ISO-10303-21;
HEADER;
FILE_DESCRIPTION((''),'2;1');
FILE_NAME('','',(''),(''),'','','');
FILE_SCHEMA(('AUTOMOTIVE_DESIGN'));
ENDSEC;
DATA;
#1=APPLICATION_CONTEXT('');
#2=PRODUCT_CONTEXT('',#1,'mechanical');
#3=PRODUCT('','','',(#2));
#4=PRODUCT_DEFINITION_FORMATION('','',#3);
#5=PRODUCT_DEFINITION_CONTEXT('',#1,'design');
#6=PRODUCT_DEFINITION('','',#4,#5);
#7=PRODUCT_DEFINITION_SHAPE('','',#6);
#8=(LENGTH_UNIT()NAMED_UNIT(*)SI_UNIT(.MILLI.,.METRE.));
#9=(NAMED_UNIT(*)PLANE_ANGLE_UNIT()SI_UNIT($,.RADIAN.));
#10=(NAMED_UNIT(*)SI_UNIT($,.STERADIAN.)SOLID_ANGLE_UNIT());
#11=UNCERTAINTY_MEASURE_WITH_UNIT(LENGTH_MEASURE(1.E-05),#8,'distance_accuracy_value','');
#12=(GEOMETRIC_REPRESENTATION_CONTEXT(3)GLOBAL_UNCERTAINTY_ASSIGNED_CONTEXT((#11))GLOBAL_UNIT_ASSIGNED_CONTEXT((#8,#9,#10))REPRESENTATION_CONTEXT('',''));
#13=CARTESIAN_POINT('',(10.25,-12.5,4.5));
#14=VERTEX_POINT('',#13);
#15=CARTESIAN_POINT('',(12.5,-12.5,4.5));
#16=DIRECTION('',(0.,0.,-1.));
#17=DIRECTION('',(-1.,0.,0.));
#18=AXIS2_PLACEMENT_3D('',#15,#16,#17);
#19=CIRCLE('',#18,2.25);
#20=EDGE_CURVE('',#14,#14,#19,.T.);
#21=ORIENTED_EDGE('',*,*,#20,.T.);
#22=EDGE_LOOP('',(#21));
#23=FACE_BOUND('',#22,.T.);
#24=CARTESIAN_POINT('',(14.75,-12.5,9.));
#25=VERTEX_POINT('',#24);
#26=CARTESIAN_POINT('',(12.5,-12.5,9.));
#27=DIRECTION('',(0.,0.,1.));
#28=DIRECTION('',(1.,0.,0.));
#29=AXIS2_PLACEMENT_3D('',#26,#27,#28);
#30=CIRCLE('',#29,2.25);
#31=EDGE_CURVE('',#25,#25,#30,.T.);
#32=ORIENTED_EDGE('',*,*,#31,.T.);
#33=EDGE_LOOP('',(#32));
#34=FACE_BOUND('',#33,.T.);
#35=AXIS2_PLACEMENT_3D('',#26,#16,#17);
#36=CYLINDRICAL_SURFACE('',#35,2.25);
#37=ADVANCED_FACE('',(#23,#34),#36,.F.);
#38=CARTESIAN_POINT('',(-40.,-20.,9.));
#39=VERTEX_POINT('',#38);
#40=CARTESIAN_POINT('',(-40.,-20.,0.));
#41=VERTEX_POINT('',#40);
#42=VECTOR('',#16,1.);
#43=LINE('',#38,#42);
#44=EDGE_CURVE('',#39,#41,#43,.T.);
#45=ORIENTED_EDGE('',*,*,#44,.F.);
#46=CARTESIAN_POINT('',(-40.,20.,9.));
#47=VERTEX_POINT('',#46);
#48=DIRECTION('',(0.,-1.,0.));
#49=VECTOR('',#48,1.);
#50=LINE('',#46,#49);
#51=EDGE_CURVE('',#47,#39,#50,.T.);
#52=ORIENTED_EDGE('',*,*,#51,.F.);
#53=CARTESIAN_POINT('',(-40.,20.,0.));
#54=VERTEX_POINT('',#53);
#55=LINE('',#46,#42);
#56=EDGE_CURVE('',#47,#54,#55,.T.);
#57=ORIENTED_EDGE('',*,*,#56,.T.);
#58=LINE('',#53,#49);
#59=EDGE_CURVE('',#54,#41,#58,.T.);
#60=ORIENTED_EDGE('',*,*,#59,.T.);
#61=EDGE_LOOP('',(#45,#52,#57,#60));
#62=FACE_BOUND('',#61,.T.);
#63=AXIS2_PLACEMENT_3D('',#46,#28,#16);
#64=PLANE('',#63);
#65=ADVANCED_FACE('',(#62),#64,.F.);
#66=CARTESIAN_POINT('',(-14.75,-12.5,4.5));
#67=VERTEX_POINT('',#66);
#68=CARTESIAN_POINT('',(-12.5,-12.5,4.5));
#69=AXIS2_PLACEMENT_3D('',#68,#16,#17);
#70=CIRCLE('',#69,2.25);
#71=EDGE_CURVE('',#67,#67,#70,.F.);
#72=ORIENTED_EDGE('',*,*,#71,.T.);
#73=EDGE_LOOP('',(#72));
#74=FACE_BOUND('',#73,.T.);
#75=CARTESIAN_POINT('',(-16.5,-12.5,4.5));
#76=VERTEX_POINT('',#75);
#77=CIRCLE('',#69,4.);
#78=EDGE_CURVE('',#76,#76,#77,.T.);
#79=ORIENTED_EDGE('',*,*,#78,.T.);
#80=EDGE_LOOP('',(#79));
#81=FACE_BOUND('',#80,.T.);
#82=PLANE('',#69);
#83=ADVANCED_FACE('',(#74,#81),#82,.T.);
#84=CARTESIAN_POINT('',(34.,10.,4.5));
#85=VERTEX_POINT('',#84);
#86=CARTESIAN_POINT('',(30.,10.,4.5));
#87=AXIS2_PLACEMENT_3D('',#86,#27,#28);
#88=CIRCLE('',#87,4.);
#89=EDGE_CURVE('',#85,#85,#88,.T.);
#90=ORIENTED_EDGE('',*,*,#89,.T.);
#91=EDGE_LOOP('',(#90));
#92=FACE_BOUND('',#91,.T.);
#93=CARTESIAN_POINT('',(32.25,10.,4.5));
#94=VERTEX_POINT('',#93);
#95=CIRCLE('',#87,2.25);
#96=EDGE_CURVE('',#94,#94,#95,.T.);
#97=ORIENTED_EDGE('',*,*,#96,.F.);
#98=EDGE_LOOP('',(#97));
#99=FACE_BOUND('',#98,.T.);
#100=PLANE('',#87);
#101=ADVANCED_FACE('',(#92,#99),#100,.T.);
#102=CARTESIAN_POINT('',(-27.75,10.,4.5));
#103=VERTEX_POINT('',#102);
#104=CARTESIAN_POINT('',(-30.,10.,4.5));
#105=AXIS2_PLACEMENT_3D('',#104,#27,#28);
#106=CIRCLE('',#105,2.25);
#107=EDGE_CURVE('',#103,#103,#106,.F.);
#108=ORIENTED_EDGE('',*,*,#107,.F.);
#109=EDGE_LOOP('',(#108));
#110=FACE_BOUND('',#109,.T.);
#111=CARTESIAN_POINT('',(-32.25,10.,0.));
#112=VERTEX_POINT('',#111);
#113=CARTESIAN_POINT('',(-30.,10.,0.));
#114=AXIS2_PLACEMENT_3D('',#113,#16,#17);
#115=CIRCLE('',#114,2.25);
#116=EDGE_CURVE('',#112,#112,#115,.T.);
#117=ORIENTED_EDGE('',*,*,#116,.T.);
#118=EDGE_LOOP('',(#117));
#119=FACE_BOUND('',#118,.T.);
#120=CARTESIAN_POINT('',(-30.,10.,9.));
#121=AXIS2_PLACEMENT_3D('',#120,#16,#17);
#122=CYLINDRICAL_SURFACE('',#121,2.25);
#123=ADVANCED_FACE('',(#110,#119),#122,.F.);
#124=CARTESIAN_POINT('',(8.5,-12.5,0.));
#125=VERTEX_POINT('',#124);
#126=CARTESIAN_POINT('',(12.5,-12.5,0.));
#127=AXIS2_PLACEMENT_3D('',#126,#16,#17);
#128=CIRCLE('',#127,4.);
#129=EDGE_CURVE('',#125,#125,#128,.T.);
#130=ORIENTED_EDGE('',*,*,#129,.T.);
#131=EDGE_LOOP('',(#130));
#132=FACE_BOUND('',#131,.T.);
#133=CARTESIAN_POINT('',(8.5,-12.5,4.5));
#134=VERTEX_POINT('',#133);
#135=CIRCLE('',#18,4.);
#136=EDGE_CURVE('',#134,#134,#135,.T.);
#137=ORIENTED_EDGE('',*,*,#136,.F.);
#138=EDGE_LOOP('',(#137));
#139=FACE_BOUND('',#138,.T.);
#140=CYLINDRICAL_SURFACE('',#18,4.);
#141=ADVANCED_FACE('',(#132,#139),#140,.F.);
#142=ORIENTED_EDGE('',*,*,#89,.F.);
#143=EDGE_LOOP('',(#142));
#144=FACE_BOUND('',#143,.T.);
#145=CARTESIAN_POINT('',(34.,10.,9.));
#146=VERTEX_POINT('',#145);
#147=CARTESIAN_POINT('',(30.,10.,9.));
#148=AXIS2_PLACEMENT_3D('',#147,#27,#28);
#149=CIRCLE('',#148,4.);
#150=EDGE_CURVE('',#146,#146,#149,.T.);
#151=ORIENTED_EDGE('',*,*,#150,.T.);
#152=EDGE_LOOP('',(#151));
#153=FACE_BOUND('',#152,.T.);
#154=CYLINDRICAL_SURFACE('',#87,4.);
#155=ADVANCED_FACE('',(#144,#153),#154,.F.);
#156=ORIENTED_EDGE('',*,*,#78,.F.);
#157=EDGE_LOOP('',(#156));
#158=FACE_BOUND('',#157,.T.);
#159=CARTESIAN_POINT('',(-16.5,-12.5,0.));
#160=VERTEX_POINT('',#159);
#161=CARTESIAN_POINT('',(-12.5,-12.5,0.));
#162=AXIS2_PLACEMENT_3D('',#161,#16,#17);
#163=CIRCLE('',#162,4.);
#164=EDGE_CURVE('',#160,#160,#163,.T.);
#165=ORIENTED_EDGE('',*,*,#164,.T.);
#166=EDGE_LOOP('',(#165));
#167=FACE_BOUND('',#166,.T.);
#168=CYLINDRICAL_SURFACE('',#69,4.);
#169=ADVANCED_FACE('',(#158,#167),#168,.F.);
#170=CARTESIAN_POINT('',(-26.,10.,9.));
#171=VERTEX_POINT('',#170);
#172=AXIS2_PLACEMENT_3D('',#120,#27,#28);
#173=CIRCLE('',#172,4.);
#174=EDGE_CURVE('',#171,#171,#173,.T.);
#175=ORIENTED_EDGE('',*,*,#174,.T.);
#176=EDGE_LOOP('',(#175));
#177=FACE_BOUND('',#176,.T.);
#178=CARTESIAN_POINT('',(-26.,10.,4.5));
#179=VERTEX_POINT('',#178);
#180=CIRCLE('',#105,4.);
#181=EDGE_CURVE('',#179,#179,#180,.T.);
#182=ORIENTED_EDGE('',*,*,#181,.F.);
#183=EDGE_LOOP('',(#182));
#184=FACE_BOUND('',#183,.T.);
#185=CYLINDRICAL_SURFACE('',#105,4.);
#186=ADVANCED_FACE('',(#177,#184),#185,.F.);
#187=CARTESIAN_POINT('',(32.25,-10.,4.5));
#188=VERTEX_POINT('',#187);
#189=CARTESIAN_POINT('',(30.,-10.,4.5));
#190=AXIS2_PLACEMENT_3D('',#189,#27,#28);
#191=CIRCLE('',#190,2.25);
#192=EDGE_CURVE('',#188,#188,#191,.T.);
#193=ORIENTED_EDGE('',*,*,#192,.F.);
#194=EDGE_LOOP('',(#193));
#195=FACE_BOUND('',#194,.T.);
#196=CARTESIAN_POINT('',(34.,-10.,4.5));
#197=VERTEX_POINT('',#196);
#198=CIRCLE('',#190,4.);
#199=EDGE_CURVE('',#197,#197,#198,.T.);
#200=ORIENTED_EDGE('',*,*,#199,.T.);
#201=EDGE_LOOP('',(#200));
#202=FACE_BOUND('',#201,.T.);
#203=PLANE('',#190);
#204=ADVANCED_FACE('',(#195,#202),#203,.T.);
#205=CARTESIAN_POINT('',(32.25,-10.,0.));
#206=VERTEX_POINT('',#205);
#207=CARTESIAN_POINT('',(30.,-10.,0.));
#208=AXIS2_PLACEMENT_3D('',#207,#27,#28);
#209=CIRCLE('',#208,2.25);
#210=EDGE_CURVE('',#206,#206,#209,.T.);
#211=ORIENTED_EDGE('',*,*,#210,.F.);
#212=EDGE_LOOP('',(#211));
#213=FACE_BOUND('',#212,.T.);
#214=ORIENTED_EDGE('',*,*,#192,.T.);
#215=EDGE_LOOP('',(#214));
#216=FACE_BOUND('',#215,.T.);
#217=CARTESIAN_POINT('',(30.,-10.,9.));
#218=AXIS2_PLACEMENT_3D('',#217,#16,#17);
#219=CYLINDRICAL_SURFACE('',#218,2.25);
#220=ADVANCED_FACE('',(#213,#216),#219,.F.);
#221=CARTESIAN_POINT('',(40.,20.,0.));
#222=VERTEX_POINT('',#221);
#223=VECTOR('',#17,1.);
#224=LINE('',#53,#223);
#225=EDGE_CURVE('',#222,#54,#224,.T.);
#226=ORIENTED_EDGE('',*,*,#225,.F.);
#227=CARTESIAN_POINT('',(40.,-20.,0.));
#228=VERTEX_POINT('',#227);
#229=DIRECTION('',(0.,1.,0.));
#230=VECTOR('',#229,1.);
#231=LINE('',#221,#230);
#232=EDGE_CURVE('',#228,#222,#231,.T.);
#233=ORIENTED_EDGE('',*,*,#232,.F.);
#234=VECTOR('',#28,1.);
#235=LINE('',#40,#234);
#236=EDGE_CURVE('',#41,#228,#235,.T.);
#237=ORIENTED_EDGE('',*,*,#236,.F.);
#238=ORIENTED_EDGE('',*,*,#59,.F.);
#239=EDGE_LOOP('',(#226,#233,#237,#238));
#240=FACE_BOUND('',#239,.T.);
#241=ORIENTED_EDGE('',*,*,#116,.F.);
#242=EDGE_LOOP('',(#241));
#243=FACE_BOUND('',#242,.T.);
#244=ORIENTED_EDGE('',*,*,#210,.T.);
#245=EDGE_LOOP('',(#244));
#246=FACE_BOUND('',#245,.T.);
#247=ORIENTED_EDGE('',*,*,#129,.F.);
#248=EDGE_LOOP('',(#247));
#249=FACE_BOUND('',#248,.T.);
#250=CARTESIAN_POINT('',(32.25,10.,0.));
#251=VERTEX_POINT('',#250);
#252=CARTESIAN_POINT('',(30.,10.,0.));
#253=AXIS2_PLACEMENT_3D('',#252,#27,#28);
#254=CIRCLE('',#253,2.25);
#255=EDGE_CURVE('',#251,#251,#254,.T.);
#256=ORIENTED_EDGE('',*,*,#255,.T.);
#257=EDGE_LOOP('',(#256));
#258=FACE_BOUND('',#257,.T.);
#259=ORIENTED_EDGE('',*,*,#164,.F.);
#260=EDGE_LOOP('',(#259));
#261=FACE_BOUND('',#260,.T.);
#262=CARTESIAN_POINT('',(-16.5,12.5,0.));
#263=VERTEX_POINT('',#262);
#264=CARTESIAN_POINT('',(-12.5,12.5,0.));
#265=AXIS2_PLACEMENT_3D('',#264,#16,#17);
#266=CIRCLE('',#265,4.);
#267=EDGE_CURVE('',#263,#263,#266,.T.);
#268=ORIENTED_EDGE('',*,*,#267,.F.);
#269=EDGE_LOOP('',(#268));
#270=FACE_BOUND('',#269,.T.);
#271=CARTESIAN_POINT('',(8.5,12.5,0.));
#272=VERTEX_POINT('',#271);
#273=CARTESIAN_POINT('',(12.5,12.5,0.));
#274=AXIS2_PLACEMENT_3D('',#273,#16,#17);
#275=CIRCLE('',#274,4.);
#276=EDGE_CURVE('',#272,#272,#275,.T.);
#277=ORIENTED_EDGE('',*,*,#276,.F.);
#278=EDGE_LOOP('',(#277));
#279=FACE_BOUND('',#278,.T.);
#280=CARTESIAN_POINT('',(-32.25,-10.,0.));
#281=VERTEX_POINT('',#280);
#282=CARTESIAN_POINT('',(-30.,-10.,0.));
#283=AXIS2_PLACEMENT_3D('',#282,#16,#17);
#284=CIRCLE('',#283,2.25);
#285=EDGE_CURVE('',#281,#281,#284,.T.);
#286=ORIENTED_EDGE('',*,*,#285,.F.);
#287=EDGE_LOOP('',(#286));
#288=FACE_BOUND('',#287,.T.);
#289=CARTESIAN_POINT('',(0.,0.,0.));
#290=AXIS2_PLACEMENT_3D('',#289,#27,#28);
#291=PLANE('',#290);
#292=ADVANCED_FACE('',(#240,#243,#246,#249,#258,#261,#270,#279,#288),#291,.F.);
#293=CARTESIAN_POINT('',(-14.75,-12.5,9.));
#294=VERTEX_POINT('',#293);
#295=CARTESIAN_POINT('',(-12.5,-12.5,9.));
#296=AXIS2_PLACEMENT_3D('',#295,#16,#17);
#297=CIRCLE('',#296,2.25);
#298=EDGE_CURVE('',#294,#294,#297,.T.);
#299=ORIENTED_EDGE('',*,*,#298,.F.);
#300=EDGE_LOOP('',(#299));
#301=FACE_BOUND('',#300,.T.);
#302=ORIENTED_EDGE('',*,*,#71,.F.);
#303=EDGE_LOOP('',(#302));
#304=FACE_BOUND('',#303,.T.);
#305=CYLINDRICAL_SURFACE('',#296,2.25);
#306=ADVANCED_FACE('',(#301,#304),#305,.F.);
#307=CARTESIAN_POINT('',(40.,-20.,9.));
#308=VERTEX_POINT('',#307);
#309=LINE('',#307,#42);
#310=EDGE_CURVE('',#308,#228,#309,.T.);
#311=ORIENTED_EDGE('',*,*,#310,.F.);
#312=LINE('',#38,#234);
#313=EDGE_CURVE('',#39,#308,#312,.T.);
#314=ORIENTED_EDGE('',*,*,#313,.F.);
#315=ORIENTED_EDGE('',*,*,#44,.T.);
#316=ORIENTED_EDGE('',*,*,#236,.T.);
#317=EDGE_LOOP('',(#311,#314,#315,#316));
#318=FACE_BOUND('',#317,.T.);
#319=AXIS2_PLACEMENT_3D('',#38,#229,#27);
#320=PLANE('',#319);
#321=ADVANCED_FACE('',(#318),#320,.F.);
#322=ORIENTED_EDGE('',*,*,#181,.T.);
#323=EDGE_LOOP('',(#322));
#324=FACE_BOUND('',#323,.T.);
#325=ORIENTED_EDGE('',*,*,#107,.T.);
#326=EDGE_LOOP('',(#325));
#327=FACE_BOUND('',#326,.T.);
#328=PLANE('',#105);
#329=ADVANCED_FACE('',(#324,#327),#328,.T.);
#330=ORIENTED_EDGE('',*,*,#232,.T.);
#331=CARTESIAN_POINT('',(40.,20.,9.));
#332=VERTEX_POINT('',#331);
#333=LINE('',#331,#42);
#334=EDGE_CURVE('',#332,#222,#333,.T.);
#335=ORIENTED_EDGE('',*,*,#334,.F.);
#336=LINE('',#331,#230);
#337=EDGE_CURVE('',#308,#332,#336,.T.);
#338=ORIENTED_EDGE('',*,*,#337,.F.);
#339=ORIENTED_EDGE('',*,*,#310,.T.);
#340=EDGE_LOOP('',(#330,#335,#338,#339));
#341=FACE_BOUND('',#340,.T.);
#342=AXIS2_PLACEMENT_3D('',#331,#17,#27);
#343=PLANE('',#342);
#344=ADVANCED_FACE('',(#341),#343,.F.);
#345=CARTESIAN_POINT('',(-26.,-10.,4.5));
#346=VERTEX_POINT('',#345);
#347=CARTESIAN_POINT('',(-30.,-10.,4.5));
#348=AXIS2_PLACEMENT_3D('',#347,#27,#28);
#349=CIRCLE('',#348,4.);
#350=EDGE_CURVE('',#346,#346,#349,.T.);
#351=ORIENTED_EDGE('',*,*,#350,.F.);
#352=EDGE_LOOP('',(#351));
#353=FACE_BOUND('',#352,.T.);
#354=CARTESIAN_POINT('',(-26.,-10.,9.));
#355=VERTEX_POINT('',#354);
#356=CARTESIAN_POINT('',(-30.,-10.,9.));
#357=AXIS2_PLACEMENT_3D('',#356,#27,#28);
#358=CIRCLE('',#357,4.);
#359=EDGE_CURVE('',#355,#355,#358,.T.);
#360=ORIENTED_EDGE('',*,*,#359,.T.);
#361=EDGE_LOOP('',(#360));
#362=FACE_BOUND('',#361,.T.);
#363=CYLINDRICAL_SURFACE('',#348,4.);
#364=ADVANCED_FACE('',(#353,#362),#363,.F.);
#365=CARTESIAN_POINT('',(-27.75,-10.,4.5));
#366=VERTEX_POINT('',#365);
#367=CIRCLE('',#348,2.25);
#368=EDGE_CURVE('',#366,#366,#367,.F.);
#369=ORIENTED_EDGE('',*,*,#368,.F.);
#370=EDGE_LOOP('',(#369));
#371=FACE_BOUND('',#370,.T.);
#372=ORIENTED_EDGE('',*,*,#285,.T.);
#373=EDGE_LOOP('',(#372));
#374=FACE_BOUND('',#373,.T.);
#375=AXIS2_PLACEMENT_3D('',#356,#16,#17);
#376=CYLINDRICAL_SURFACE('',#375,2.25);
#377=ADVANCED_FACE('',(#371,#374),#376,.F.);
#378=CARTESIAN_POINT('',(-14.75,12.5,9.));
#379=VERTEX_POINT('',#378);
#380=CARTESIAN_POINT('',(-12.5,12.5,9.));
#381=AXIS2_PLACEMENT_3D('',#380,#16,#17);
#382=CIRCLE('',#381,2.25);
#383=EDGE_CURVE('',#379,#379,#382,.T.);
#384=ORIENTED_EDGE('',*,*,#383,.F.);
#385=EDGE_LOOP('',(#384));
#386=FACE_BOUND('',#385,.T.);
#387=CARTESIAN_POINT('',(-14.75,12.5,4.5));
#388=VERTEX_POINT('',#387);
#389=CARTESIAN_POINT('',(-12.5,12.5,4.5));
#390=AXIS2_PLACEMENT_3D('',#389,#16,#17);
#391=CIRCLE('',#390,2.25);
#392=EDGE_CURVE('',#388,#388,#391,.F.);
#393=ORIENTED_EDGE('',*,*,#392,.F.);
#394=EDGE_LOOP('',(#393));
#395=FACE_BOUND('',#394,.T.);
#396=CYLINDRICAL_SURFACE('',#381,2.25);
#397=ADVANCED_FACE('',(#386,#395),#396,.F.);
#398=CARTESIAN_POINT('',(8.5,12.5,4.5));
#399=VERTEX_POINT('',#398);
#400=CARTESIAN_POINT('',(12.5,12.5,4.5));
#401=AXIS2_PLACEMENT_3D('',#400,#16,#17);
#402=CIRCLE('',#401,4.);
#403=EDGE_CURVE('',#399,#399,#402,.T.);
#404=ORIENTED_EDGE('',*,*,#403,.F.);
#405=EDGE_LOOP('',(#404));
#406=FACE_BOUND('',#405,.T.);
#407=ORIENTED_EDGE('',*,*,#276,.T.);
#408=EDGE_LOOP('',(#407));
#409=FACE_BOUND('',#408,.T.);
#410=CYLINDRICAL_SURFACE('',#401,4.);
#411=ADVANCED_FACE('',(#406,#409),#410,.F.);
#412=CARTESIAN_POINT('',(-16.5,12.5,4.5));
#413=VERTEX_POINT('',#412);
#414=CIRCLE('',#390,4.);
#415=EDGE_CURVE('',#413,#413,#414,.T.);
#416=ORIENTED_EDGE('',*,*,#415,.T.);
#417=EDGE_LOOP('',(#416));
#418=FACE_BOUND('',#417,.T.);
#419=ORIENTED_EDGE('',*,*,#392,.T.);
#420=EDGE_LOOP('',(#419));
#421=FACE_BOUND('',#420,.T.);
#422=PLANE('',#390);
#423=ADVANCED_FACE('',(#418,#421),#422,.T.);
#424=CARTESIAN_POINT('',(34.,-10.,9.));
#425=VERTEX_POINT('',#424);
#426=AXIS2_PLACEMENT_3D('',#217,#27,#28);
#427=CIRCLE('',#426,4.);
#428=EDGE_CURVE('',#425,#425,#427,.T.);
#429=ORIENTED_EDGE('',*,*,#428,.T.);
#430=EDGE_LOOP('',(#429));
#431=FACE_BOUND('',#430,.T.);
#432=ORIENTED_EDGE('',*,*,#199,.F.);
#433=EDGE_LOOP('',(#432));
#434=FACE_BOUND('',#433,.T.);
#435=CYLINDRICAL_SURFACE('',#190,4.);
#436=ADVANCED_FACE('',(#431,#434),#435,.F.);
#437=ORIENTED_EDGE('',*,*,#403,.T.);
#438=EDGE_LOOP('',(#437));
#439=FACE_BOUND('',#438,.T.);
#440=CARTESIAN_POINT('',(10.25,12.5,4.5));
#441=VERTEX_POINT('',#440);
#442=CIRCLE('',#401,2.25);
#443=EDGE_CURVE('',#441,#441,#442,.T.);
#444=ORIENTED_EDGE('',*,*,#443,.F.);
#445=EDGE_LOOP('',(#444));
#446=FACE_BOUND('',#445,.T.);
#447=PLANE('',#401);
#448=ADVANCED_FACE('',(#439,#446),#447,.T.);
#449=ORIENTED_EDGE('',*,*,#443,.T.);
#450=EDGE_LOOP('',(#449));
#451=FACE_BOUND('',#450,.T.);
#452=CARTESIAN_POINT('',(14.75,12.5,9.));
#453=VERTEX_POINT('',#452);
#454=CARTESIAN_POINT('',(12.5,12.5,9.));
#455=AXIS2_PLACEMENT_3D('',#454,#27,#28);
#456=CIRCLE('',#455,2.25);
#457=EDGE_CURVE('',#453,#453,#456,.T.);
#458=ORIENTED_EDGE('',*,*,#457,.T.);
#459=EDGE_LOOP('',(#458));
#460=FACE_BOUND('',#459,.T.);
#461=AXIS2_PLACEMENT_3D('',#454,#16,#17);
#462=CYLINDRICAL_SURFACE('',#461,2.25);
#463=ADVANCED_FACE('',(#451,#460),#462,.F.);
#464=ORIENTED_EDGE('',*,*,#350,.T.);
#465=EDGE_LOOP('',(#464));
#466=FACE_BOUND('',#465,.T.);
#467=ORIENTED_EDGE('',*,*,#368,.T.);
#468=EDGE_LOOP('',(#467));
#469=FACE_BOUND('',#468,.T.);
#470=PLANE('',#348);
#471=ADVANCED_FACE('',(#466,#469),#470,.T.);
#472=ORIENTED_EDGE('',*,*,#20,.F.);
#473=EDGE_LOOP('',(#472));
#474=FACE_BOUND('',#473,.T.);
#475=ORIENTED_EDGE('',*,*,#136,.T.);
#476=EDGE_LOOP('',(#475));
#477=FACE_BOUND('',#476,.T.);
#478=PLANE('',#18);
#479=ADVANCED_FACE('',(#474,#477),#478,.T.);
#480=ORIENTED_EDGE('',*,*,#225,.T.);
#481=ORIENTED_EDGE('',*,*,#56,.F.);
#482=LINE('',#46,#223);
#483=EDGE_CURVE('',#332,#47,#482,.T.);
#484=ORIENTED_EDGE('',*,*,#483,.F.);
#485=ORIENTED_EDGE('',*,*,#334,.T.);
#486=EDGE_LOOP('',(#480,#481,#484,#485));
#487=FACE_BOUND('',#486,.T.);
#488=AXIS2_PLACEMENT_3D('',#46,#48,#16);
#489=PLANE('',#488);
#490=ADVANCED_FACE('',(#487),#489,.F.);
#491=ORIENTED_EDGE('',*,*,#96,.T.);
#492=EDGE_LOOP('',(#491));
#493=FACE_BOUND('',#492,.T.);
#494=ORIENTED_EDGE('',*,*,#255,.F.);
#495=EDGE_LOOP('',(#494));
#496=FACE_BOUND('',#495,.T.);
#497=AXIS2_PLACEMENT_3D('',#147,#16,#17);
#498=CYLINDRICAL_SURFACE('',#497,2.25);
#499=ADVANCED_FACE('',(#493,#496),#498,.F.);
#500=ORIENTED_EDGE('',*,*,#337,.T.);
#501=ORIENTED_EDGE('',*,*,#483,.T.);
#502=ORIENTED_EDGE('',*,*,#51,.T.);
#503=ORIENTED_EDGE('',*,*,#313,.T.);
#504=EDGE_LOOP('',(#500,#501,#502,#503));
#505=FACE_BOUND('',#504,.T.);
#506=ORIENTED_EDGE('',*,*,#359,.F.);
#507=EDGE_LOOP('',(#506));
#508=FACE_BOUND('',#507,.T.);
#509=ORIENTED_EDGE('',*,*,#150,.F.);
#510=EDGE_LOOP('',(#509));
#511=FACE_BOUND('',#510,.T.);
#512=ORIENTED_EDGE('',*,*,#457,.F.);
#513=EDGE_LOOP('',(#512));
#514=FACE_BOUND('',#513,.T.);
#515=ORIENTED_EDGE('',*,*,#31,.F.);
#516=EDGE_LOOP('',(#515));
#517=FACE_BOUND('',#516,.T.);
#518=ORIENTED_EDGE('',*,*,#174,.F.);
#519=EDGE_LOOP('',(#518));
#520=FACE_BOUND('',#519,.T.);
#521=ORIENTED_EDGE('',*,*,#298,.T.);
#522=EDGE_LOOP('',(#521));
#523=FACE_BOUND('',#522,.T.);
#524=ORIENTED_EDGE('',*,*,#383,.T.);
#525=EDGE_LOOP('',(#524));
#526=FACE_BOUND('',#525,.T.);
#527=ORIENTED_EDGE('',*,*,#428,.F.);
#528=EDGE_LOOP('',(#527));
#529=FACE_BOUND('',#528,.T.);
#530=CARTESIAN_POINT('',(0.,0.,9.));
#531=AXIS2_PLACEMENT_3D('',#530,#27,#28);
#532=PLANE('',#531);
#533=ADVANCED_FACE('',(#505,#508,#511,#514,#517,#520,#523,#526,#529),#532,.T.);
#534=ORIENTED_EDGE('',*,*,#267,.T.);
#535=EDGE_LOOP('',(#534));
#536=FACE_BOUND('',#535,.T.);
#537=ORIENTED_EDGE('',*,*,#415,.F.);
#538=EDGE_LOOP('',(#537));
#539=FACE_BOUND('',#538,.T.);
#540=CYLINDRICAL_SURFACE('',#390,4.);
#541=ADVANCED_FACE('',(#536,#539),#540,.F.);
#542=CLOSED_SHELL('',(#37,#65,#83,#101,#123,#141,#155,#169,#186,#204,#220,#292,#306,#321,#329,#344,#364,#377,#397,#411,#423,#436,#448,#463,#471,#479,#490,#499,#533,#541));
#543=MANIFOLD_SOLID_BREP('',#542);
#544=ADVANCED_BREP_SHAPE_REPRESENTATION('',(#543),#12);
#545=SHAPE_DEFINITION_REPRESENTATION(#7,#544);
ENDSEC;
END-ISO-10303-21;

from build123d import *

# Parameters (mm, degrees)
SKETCH_1_W          = 80
SKETCH_1_H          = 40
EXTRUDE_1_DEPTH     = 9
SKETCH_2_R          = 2.25
CUT_EXTRUDE_1_DEPTH = 46.617978912
SKETCH_3_R          = 2.25
CUT_EXTRUDE_2_DEPTH = 9
SKETCH_4_R          = 4
CUT_EXTRUDE_3_DEPTH = 4.5
SKETCH_6_R          = 4
CUT_EXTRUDE_5_DEPTH = 4.5


with BuildPart() as part:
    # 草图1 → 凸台-拉伸1 (new body)
    with BuildSketch(Plane.XY):
        Rectangle(SKETCH_1_W, SKETCH_1_H)
    extrude(amount=EXTRUDE_1_DEPTH)

    # 草图2 → 切除-拉伸1 (cut, through all)
    with BuildSketch(Plane(origin=(0, 0, 0), x_dir=(-1, 0, 0), z_dir=(0, 0, -1))):
        with Locations((30, 10)):
            Circle(SKETCH_2_R)
        with Locations((30, -10)):
            Circle(SKETCH_2_R)
    cut_extrude_1 = extrude(amount=-CUT_EXTRUDE_1_DEPTH, mode=Mode.SUBTRACT)

    # 镜向1: 切除-拉伸1 across plane
    add(cut_extrude_1.mirror(Plane(origin=(0, 0, 0), x_dir=(0, 0, 1), z_dir=(1, 0, 0))), mode=Mode.SUBTRACT)

    # 草图3 → 切除-拉伸2 (cut)
    with BuildSketch(Plane(origin=(0, 0, 0), x_dir=(-1, 0, 0), z_dir=(0, 0, -1))):
        with Locations((12.5, -12.5)):
            Circle(SKETCH_3_R)
        with Locations((12.5, 12.5)):
            Circle(SKETCH_3_R)
    cut_extrude_2 = extrude(amount=-CUT_EXTRUDE_2_DEPTH, mode=Mode.SUBTRACT)

    # 镜向2: 切除-拉伸2 across plane
    add(cut_extrude_2.mirror(Plane(origin=(0, 0, 0), x_dir=(0, 0, 1), z_dir=(1, 0, 0))), mode=Mode.SUBTRACT)

    # 草图4 → 切除-拉伸3 (cut)
    with BuildSketch(Plane(origin=(0, 0, 0), x_dir=(-1, 0, 0), z_dir=(0, 0, -1))):
        with Locations((12.5, 12.5)):
            Circle(SKETCH_4_R)
        with Locations((12.5, -12.5)):
            Circle(SKETCH_4_R)
        with Locations((-12.5, 12.5)):
            Circle(SKETCH_4_R)
        with Locations((-12.5, -12.5)):
            Circle(SKETCH_4_R)
    extrude(amount=-CUT_EXTRUDE_3_DEPTH, mode=Mode.SUBTRACT)

    # 草图6 → 切除-拉伸5 (cut)
    with BuildSketch(Plane.XY.offset(9)):
        with Locations((-30, -10)):
            Circle(SKETCH_6_R)
        with Locations((-30, 10)):
            Circle(SKETCH_6_R)
        with Locations((30, -10)):
            Circle(SKETCH_6_R)
        with Locations((30, 10)):
            Circle(SKETCH_6_R)
    extrude(amount=-CUT_EXTRUDE_5_DEPTH, mode=Mode.SUBTRACT)


solid = part.part
